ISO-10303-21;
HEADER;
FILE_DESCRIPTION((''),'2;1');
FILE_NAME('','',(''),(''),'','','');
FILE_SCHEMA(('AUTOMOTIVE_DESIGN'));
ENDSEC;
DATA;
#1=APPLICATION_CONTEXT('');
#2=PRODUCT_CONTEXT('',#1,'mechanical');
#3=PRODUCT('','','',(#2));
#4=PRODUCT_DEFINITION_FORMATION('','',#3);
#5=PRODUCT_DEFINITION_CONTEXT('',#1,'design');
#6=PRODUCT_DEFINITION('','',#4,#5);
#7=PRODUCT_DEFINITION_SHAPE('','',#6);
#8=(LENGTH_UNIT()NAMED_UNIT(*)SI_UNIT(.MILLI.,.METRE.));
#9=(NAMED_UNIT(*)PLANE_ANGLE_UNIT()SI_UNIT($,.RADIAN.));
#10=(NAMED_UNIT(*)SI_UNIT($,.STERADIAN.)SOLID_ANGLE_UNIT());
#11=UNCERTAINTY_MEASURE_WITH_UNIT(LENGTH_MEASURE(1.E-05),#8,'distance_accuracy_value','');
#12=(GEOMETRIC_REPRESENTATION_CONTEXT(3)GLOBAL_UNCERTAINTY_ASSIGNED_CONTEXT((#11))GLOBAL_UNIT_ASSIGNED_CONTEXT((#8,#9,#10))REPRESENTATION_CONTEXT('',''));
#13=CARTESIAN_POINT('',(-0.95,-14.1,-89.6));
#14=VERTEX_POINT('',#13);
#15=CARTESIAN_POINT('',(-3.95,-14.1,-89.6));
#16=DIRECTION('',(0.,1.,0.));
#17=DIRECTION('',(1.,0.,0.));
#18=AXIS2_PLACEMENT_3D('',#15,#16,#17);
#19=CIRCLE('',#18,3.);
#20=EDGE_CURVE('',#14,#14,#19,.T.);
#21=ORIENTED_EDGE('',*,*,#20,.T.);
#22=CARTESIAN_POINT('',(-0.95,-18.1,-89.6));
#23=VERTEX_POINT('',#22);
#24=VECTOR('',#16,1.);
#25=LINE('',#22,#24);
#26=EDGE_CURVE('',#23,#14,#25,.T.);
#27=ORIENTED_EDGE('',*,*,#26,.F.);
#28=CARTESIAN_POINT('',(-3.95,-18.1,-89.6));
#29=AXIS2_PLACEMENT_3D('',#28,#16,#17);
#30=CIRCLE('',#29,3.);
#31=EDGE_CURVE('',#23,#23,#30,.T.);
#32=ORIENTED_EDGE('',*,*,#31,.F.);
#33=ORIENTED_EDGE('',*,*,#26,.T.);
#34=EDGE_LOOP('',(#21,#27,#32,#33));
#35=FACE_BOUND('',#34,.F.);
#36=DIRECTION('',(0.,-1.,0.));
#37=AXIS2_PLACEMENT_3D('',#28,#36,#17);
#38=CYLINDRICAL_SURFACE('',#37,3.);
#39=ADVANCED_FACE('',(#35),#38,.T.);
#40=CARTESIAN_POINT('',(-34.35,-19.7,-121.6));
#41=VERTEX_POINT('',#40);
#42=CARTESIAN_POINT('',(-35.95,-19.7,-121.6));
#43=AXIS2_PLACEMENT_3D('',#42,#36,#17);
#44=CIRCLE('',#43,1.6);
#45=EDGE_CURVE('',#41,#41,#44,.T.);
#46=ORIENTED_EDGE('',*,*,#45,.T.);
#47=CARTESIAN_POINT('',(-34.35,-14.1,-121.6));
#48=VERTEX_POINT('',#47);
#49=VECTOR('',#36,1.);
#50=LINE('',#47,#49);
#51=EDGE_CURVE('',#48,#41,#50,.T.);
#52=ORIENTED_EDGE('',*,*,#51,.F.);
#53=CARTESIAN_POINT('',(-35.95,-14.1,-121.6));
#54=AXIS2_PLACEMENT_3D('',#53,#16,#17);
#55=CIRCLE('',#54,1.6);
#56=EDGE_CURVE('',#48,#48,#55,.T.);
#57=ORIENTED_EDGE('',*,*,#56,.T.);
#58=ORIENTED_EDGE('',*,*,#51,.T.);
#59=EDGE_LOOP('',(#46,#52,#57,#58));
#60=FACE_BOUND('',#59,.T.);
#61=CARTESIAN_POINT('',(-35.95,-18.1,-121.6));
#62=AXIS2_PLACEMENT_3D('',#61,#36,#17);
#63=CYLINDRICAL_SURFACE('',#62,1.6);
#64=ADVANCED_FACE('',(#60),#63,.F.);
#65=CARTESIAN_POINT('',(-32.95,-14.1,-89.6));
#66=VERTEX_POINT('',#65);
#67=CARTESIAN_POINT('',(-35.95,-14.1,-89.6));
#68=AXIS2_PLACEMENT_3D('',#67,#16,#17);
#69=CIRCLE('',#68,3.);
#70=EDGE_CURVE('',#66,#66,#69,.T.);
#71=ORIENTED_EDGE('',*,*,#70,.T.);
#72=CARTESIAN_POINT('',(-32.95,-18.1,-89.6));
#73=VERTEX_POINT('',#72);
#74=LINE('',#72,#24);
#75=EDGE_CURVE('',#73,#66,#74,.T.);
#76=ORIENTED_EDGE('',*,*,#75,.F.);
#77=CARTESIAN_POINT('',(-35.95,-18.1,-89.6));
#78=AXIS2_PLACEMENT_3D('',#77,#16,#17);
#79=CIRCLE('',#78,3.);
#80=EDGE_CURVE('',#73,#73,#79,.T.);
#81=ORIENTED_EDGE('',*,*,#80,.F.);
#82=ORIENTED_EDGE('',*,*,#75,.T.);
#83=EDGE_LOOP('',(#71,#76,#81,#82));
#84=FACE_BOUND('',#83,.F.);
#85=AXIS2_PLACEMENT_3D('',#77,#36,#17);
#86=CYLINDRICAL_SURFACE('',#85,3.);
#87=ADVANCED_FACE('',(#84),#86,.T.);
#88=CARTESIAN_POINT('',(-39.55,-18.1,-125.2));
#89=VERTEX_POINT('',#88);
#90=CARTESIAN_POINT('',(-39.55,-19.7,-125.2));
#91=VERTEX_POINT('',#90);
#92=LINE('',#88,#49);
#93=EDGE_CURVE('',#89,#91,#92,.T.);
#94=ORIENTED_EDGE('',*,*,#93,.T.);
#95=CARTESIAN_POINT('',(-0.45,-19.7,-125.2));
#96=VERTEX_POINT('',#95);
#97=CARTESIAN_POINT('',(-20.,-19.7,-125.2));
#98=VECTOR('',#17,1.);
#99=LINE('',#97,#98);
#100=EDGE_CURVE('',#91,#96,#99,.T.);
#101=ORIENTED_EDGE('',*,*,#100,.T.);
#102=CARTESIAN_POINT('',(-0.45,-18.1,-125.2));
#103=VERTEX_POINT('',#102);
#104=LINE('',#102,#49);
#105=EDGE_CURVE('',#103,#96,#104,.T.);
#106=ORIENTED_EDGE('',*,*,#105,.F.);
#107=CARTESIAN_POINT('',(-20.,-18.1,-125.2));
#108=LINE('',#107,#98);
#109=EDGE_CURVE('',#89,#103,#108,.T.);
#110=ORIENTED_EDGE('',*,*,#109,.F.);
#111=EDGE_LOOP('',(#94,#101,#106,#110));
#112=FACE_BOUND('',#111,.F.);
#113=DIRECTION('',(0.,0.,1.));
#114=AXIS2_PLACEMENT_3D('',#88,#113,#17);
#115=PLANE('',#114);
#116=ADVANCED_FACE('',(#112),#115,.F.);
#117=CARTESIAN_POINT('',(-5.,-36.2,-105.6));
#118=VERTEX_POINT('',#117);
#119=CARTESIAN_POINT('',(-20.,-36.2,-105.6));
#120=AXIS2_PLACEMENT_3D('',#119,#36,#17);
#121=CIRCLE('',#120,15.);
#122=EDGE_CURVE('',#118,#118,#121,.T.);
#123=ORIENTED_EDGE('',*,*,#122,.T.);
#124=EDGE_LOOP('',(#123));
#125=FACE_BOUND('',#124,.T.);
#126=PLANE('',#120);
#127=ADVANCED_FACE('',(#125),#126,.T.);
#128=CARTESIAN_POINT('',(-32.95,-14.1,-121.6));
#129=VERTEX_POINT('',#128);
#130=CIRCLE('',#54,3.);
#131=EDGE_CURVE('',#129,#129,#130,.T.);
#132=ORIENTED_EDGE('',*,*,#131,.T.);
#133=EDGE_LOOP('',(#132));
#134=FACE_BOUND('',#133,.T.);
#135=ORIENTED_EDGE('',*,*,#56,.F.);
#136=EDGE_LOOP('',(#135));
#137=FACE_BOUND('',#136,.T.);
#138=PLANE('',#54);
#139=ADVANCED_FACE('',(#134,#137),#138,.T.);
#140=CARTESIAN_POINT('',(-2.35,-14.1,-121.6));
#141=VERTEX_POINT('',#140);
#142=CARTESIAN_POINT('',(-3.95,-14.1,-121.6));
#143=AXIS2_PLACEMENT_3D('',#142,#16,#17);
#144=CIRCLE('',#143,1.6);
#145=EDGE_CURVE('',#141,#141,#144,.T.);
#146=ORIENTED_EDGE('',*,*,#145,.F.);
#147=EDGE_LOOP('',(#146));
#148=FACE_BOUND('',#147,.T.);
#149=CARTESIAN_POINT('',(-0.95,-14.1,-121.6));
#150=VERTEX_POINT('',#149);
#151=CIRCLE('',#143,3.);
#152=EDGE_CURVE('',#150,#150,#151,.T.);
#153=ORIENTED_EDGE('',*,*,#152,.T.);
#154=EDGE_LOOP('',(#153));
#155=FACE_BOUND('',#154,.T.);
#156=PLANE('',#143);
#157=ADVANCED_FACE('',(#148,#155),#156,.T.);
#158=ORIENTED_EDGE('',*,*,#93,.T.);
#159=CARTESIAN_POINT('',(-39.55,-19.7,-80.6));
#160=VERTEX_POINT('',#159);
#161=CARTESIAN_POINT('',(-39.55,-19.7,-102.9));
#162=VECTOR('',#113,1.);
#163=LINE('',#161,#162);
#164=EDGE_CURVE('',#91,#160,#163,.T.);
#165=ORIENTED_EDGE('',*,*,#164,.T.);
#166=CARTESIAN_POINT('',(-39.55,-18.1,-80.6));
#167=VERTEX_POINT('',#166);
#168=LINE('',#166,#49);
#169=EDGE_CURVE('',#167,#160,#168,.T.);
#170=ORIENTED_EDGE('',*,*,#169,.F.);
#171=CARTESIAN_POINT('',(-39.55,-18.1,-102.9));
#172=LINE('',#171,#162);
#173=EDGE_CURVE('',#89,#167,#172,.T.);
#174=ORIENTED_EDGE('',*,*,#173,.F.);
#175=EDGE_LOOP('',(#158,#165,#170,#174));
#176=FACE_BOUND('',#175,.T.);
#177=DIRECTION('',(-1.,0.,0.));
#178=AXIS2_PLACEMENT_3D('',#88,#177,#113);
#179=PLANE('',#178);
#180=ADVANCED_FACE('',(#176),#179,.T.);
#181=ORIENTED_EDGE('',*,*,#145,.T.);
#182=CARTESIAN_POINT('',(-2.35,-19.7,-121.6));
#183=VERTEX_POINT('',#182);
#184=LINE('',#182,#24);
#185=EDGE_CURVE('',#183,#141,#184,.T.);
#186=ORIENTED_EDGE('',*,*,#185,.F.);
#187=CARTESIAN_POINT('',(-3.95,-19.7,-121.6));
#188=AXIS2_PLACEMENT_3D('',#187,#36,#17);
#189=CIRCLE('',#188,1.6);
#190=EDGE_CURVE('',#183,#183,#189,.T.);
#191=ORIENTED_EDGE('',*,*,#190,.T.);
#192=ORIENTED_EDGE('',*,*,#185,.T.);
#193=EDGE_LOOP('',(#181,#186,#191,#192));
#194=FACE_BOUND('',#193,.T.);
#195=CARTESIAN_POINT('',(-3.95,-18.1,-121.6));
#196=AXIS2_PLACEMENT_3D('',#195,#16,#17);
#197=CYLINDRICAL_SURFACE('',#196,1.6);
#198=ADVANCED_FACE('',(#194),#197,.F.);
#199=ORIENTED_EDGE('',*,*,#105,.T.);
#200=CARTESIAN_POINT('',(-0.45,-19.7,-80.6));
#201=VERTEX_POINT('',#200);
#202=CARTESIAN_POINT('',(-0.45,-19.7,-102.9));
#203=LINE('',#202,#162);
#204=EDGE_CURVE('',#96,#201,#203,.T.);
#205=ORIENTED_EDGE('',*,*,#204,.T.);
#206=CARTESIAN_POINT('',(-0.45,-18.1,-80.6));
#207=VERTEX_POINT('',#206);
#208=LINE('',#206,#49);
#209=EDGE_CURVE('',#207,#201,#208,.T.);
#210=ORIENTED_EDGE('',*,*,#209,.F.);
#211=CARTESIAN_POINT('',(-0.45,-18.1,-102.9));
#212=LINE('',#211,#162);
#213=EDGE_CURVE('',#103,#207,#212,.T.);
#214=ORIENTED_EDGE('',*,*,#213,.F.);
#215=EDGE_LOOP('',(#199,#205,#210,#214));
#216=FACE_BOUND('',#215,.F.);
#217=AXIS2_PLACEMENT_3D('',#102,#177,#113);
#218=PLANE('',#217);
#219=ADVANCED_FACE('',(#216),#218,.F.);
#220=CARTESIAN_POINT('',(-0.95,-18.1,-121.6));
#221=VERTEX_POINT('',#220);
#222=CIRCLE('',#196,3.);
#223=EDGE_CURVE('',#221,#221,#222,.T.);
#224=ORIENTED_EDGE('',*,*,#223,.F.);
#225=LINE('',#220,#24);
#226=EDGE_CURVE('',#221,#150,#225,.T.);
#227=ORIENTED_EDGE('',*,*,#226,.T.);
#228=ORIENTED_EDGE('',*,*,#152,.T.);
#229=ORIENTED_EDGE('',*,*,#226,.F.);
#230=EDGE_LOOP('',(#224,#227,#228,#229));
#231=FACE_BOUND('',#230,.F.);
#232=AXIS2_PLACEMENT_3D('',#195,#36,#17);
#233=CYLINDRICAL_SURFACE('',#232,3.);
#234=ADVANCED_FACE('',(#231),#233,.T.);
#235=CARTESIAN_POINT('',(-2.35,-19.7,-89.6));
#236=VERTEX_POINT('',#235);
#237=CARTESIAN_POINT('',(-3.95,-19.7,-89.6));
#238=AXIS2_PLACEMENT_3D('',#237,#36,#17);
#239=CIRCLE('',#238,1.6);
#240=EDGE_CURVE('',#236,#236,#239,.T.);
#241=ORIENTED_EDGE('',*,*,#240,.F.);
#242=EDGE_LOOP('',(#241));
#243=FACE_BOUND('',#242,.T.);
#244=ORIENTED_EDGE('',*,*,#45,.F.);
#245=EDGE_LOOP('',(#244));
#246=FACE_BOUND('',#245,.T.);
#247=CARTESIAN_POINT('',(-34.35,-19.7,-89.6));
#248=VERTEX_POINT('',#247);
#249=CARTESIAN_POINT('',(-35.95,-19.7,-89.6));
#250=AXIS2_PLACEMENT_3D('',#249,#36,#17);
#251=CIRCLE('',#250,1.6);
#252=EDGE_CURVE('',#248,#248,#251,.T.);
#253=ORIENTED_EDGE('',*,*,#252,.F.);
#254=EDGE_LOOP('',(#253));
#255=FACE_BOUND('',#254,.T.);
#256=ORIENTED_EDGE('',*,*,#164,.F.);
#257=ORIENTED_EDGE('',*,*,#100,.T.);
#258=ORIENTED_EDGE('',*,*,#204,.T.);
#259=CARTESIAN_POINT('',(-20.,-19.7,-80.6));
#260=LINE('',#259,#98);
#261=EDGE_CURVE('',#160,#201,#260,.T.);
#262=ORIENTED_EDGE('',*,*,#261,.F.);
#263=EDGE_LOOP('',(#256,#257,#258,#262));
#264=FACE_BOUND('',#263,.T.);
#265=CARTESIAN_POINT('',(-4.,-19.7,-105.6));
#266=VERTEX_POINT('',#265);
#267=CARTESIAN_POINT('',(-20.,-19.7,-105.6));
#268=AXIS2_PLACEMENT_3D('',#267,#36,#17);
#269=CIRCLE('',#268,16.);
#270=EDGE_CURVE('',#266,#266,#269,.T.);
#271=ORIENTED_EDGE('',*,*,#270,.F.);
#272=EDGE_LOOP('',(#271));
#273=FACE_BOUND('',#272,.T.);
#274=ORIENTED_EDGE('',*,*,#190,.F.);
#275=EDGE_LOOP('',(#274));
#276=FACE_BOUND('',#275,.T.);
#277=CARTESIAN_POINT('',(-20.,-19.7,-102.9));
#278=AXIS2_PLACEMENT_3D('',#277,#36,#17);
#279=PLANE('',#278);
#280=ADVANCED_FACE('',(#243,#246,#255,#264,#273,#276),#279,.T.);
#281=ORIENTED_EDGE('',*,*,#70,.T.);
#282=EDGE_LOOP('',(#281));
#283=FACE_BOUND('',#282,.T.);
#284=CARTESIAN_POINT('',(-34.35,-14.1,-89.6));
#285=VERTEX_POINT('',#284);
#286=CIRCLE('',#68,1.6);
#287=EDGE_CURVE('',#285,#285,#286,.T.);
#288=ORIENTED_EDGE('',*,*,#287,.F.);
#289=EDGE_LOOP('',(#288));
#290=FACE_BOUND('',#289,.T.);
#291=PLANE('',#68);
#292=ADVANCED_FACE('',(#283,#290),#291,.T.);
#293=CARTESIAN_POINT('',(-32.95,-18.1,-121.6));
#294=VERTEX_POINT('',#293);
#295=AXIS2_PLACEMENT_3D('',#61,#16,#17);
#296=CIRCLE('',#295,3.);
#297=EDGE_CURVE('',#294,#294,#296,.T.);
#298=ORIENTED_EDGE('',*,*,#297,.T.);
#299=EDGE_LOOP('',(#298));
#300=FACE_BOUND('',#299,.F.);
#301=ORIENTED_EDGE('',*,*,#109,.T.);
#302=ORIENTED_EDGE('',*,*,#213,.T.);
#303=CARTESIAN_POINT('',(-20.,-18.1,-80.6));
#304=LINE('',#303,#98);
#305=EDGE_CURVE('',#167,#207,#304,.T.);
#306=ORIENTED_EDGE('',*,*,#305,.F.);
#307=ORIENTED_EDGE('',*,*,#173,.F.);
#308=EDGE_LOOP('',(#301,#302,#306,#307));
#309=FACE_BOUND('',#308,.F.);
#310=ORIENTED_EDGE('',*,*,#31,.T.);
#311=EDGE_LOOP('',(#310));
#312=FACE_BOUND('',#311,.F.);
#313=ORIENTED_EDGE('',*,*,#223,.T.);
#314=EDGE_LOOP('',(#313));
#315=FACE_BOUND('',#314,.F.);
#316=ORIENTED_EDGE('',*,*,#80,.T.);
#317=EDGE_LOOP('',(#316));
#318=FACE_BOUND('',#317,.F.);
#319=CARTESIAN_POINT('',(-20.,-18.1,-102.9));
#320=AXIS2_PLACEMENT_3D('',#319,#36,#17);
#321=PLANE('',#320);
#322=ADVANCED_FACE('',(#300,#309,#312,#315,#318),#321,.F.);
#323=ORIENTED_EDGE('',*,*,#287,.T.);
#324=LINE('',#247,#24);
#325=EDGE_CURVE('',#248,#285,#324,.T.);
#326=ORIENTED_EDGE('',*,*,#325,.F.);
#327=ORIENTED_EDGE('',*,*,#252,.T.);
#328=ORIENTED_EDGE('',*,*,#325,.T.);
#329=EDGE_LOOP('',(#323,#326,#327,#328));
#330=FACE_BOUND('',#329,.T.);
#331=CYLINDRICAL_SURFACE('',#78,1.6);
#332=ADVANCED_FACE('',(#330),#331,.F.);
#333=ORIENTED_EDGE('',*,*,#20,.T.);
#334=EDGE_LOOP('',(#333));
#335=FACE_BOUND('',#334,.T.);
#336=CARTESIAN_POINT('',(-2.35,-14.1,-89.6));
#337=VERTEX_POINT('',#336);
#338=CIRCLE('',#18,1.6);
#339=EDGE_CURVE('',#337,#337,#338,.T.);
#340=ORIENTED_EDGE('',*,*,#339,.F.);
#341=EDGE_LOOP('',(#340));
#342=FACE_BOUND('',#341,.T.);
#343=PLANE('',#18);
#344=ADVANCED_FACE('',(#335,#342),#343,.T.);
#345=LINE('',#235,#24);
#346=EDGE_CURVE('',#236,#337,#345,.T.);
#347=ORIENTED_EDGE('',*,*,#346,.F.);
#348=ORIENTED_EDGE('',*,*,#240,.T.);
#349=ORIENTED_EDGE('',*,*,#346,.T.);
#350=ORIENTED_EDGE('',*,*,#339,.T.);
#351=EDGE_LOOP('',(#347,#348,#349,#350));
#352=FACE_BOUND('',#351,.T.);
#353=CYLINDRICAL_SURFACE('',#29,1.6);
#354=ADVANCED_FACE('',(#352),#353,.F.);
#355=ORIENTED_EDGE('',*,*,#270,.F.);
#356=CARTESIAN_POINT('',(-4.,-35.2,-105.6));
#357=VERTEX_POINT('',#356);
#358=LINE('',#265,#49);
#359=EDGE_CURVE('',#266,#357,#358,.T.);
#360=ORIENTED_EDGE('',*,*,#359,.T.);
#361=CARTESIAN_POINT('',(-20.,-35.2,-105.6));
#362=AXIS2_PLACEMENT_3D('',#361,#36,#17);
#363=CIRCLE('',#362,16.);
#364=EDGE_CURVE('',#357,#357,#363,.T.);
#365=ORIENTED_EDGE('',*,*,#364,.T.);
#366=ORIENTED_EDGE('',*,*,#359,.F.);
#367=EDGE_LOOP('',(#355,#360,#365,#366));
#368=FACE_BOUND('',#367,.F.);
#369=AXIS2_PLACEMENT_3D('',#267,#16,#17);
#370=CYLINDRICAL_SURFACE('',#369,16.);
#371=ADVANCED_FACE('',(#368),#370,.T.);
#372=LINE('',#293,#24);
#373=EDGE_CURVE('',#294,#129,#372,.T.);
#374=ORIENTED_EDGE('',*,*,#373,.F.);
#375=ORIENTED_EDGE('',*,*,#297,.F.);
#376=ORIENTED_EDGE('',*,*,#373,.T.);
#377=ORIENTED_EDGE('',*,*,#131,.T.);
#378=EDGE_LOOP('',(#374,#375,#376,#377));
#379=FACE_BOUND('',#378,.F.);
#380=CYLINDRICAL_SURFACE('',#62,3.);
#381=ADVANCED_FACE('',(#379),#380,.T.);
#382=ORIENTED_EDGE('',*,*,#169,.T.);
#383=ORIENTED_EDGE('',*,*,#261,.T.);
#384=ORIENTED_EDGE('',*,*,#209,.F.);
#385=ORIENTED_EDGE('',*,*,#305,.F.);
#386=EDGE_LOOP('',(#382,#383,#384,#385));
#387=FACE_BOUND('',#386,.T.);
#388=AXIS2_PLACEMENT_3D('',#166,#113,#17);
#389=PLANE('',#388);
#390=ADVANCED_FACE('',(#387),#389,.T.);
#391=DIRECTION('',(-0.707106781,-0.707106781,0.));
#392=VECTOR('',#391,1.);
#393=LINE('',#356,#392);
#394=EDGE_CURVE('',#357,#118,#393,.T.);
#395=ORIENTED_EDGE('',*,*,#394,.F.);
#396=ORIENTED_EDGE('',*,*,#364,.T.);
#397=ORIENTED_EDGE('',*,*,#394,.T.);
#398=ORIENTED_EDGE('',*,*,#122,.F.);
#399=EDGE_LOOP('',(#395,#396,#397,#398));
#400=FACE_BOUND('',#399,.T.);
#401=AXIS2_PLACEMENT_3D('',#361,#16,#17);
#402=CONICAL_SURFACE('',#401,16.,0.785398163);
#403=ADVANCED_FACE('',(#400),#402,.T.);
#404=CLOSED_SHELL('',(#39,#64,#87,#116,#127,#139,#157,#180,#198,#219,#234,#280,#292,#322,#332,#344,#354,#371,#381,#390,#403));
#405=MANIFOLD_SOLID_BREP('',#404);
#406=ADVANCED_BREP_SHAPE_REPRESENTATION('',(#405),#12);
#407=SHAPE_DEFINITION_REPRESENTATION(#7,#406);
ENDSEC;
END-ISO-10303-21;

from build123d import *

# Parameters (mm, degrees)
SKETCH011_W     = 39.1
SKETCH011_H     = 44.6
SKETCH011_R     = 1.6
PAD007_DEPTH    = 1.6
SKETCH012_R     = 16
PAD008_DEPTH    = 16.5
SKETCH013_R     = 3
SKETCH013_R_2   = 1.6
PAD009_DEPTH    = 4
CHAMFER001_SIZE = 1


with BuildPart() as part:
    # Sketch011 → Pad007 (new body)
    with BuildSketch(Plane.XZ):
        Rectangle(SKETCH011_W, SKETCH011_H)
        with Locations((-15.95, 13.3)):
            Circle(SKETCH011_R, mode=Mode.SUBTRACT)
        with Locations((16.05, 13.3)):
            Circle(SKETCH011_R, mode=Mode.SUBTRACT)
        with Locations((16.05, -18.7)):
            Circle(SKETCH011_R, mode=Mode.SUBTRACT)
        with Locations((-15.95, -18.7)):
            Circle(SKETCH011_R, mode=Mode.SUBTRACT)
    extrude(amount=PAD007_DEPTH)

    # Sketch012 (on Face10 of Pad007) → Pad008 (join)
    with BuildSketch(Plane.XZ.offset(1.6)):
        with Locations((0, -2.7)):
            Circle(SKETCH012_R)
    extrude(amount=PAD008_DEPTH)

    # Sketch013 (on Face4 of Pad008) → Pad009 (join)
    with BuildSketch(Plane(origin=(0, 0, 0), x_dir=(1, 0, 0), z_dir=(0, 1, 0))):
        with Locations((-15.95, 18.7)):
            Circle(SKETCH013_R)
        with Locations((-15.95, 18.7)):
            Circle(SKETCH013_R_2, mode=Mode.SUBTRACT)
        with Locations((16.05, 18.7)):
            Circle(SKETCH013_R)
        with Locations((16.05, 18.7)):
            Circle(SKETCH013_R_2, mode=Mode.SUBTRACT)
        with Locations((16.05, -13.3)):
            Circle(SKETCH013_R)
        with Locations((16.05, -13.3)):
            Circle(SKETCH013_R_2, mode=Mode.SUBTRACT)
        with Locations((-15.95, -13.3)):
            Circle(SKETCH013_R)
        with Locations((-15.95, -13.3)):
            Circle(SKETCH013_R_2, mode=Mode.SUBTRACT)
    extrude(amount=PAD009_DEPTH)

    # Chamfer001
    chamfer001_edges = [part.edges().sort_by_distance(p)[0] for p in [
        (-16, -18.1, -2.7),
    ]]
    chamfer(chamfer001_edges, length=CHAMFER001_SIZE)


with BuildPart() as part_1:
    # Body008 placement: moved
    add(part.part.moved(Location((-20, -18.1, -102.9))))


solid = part_1.part
